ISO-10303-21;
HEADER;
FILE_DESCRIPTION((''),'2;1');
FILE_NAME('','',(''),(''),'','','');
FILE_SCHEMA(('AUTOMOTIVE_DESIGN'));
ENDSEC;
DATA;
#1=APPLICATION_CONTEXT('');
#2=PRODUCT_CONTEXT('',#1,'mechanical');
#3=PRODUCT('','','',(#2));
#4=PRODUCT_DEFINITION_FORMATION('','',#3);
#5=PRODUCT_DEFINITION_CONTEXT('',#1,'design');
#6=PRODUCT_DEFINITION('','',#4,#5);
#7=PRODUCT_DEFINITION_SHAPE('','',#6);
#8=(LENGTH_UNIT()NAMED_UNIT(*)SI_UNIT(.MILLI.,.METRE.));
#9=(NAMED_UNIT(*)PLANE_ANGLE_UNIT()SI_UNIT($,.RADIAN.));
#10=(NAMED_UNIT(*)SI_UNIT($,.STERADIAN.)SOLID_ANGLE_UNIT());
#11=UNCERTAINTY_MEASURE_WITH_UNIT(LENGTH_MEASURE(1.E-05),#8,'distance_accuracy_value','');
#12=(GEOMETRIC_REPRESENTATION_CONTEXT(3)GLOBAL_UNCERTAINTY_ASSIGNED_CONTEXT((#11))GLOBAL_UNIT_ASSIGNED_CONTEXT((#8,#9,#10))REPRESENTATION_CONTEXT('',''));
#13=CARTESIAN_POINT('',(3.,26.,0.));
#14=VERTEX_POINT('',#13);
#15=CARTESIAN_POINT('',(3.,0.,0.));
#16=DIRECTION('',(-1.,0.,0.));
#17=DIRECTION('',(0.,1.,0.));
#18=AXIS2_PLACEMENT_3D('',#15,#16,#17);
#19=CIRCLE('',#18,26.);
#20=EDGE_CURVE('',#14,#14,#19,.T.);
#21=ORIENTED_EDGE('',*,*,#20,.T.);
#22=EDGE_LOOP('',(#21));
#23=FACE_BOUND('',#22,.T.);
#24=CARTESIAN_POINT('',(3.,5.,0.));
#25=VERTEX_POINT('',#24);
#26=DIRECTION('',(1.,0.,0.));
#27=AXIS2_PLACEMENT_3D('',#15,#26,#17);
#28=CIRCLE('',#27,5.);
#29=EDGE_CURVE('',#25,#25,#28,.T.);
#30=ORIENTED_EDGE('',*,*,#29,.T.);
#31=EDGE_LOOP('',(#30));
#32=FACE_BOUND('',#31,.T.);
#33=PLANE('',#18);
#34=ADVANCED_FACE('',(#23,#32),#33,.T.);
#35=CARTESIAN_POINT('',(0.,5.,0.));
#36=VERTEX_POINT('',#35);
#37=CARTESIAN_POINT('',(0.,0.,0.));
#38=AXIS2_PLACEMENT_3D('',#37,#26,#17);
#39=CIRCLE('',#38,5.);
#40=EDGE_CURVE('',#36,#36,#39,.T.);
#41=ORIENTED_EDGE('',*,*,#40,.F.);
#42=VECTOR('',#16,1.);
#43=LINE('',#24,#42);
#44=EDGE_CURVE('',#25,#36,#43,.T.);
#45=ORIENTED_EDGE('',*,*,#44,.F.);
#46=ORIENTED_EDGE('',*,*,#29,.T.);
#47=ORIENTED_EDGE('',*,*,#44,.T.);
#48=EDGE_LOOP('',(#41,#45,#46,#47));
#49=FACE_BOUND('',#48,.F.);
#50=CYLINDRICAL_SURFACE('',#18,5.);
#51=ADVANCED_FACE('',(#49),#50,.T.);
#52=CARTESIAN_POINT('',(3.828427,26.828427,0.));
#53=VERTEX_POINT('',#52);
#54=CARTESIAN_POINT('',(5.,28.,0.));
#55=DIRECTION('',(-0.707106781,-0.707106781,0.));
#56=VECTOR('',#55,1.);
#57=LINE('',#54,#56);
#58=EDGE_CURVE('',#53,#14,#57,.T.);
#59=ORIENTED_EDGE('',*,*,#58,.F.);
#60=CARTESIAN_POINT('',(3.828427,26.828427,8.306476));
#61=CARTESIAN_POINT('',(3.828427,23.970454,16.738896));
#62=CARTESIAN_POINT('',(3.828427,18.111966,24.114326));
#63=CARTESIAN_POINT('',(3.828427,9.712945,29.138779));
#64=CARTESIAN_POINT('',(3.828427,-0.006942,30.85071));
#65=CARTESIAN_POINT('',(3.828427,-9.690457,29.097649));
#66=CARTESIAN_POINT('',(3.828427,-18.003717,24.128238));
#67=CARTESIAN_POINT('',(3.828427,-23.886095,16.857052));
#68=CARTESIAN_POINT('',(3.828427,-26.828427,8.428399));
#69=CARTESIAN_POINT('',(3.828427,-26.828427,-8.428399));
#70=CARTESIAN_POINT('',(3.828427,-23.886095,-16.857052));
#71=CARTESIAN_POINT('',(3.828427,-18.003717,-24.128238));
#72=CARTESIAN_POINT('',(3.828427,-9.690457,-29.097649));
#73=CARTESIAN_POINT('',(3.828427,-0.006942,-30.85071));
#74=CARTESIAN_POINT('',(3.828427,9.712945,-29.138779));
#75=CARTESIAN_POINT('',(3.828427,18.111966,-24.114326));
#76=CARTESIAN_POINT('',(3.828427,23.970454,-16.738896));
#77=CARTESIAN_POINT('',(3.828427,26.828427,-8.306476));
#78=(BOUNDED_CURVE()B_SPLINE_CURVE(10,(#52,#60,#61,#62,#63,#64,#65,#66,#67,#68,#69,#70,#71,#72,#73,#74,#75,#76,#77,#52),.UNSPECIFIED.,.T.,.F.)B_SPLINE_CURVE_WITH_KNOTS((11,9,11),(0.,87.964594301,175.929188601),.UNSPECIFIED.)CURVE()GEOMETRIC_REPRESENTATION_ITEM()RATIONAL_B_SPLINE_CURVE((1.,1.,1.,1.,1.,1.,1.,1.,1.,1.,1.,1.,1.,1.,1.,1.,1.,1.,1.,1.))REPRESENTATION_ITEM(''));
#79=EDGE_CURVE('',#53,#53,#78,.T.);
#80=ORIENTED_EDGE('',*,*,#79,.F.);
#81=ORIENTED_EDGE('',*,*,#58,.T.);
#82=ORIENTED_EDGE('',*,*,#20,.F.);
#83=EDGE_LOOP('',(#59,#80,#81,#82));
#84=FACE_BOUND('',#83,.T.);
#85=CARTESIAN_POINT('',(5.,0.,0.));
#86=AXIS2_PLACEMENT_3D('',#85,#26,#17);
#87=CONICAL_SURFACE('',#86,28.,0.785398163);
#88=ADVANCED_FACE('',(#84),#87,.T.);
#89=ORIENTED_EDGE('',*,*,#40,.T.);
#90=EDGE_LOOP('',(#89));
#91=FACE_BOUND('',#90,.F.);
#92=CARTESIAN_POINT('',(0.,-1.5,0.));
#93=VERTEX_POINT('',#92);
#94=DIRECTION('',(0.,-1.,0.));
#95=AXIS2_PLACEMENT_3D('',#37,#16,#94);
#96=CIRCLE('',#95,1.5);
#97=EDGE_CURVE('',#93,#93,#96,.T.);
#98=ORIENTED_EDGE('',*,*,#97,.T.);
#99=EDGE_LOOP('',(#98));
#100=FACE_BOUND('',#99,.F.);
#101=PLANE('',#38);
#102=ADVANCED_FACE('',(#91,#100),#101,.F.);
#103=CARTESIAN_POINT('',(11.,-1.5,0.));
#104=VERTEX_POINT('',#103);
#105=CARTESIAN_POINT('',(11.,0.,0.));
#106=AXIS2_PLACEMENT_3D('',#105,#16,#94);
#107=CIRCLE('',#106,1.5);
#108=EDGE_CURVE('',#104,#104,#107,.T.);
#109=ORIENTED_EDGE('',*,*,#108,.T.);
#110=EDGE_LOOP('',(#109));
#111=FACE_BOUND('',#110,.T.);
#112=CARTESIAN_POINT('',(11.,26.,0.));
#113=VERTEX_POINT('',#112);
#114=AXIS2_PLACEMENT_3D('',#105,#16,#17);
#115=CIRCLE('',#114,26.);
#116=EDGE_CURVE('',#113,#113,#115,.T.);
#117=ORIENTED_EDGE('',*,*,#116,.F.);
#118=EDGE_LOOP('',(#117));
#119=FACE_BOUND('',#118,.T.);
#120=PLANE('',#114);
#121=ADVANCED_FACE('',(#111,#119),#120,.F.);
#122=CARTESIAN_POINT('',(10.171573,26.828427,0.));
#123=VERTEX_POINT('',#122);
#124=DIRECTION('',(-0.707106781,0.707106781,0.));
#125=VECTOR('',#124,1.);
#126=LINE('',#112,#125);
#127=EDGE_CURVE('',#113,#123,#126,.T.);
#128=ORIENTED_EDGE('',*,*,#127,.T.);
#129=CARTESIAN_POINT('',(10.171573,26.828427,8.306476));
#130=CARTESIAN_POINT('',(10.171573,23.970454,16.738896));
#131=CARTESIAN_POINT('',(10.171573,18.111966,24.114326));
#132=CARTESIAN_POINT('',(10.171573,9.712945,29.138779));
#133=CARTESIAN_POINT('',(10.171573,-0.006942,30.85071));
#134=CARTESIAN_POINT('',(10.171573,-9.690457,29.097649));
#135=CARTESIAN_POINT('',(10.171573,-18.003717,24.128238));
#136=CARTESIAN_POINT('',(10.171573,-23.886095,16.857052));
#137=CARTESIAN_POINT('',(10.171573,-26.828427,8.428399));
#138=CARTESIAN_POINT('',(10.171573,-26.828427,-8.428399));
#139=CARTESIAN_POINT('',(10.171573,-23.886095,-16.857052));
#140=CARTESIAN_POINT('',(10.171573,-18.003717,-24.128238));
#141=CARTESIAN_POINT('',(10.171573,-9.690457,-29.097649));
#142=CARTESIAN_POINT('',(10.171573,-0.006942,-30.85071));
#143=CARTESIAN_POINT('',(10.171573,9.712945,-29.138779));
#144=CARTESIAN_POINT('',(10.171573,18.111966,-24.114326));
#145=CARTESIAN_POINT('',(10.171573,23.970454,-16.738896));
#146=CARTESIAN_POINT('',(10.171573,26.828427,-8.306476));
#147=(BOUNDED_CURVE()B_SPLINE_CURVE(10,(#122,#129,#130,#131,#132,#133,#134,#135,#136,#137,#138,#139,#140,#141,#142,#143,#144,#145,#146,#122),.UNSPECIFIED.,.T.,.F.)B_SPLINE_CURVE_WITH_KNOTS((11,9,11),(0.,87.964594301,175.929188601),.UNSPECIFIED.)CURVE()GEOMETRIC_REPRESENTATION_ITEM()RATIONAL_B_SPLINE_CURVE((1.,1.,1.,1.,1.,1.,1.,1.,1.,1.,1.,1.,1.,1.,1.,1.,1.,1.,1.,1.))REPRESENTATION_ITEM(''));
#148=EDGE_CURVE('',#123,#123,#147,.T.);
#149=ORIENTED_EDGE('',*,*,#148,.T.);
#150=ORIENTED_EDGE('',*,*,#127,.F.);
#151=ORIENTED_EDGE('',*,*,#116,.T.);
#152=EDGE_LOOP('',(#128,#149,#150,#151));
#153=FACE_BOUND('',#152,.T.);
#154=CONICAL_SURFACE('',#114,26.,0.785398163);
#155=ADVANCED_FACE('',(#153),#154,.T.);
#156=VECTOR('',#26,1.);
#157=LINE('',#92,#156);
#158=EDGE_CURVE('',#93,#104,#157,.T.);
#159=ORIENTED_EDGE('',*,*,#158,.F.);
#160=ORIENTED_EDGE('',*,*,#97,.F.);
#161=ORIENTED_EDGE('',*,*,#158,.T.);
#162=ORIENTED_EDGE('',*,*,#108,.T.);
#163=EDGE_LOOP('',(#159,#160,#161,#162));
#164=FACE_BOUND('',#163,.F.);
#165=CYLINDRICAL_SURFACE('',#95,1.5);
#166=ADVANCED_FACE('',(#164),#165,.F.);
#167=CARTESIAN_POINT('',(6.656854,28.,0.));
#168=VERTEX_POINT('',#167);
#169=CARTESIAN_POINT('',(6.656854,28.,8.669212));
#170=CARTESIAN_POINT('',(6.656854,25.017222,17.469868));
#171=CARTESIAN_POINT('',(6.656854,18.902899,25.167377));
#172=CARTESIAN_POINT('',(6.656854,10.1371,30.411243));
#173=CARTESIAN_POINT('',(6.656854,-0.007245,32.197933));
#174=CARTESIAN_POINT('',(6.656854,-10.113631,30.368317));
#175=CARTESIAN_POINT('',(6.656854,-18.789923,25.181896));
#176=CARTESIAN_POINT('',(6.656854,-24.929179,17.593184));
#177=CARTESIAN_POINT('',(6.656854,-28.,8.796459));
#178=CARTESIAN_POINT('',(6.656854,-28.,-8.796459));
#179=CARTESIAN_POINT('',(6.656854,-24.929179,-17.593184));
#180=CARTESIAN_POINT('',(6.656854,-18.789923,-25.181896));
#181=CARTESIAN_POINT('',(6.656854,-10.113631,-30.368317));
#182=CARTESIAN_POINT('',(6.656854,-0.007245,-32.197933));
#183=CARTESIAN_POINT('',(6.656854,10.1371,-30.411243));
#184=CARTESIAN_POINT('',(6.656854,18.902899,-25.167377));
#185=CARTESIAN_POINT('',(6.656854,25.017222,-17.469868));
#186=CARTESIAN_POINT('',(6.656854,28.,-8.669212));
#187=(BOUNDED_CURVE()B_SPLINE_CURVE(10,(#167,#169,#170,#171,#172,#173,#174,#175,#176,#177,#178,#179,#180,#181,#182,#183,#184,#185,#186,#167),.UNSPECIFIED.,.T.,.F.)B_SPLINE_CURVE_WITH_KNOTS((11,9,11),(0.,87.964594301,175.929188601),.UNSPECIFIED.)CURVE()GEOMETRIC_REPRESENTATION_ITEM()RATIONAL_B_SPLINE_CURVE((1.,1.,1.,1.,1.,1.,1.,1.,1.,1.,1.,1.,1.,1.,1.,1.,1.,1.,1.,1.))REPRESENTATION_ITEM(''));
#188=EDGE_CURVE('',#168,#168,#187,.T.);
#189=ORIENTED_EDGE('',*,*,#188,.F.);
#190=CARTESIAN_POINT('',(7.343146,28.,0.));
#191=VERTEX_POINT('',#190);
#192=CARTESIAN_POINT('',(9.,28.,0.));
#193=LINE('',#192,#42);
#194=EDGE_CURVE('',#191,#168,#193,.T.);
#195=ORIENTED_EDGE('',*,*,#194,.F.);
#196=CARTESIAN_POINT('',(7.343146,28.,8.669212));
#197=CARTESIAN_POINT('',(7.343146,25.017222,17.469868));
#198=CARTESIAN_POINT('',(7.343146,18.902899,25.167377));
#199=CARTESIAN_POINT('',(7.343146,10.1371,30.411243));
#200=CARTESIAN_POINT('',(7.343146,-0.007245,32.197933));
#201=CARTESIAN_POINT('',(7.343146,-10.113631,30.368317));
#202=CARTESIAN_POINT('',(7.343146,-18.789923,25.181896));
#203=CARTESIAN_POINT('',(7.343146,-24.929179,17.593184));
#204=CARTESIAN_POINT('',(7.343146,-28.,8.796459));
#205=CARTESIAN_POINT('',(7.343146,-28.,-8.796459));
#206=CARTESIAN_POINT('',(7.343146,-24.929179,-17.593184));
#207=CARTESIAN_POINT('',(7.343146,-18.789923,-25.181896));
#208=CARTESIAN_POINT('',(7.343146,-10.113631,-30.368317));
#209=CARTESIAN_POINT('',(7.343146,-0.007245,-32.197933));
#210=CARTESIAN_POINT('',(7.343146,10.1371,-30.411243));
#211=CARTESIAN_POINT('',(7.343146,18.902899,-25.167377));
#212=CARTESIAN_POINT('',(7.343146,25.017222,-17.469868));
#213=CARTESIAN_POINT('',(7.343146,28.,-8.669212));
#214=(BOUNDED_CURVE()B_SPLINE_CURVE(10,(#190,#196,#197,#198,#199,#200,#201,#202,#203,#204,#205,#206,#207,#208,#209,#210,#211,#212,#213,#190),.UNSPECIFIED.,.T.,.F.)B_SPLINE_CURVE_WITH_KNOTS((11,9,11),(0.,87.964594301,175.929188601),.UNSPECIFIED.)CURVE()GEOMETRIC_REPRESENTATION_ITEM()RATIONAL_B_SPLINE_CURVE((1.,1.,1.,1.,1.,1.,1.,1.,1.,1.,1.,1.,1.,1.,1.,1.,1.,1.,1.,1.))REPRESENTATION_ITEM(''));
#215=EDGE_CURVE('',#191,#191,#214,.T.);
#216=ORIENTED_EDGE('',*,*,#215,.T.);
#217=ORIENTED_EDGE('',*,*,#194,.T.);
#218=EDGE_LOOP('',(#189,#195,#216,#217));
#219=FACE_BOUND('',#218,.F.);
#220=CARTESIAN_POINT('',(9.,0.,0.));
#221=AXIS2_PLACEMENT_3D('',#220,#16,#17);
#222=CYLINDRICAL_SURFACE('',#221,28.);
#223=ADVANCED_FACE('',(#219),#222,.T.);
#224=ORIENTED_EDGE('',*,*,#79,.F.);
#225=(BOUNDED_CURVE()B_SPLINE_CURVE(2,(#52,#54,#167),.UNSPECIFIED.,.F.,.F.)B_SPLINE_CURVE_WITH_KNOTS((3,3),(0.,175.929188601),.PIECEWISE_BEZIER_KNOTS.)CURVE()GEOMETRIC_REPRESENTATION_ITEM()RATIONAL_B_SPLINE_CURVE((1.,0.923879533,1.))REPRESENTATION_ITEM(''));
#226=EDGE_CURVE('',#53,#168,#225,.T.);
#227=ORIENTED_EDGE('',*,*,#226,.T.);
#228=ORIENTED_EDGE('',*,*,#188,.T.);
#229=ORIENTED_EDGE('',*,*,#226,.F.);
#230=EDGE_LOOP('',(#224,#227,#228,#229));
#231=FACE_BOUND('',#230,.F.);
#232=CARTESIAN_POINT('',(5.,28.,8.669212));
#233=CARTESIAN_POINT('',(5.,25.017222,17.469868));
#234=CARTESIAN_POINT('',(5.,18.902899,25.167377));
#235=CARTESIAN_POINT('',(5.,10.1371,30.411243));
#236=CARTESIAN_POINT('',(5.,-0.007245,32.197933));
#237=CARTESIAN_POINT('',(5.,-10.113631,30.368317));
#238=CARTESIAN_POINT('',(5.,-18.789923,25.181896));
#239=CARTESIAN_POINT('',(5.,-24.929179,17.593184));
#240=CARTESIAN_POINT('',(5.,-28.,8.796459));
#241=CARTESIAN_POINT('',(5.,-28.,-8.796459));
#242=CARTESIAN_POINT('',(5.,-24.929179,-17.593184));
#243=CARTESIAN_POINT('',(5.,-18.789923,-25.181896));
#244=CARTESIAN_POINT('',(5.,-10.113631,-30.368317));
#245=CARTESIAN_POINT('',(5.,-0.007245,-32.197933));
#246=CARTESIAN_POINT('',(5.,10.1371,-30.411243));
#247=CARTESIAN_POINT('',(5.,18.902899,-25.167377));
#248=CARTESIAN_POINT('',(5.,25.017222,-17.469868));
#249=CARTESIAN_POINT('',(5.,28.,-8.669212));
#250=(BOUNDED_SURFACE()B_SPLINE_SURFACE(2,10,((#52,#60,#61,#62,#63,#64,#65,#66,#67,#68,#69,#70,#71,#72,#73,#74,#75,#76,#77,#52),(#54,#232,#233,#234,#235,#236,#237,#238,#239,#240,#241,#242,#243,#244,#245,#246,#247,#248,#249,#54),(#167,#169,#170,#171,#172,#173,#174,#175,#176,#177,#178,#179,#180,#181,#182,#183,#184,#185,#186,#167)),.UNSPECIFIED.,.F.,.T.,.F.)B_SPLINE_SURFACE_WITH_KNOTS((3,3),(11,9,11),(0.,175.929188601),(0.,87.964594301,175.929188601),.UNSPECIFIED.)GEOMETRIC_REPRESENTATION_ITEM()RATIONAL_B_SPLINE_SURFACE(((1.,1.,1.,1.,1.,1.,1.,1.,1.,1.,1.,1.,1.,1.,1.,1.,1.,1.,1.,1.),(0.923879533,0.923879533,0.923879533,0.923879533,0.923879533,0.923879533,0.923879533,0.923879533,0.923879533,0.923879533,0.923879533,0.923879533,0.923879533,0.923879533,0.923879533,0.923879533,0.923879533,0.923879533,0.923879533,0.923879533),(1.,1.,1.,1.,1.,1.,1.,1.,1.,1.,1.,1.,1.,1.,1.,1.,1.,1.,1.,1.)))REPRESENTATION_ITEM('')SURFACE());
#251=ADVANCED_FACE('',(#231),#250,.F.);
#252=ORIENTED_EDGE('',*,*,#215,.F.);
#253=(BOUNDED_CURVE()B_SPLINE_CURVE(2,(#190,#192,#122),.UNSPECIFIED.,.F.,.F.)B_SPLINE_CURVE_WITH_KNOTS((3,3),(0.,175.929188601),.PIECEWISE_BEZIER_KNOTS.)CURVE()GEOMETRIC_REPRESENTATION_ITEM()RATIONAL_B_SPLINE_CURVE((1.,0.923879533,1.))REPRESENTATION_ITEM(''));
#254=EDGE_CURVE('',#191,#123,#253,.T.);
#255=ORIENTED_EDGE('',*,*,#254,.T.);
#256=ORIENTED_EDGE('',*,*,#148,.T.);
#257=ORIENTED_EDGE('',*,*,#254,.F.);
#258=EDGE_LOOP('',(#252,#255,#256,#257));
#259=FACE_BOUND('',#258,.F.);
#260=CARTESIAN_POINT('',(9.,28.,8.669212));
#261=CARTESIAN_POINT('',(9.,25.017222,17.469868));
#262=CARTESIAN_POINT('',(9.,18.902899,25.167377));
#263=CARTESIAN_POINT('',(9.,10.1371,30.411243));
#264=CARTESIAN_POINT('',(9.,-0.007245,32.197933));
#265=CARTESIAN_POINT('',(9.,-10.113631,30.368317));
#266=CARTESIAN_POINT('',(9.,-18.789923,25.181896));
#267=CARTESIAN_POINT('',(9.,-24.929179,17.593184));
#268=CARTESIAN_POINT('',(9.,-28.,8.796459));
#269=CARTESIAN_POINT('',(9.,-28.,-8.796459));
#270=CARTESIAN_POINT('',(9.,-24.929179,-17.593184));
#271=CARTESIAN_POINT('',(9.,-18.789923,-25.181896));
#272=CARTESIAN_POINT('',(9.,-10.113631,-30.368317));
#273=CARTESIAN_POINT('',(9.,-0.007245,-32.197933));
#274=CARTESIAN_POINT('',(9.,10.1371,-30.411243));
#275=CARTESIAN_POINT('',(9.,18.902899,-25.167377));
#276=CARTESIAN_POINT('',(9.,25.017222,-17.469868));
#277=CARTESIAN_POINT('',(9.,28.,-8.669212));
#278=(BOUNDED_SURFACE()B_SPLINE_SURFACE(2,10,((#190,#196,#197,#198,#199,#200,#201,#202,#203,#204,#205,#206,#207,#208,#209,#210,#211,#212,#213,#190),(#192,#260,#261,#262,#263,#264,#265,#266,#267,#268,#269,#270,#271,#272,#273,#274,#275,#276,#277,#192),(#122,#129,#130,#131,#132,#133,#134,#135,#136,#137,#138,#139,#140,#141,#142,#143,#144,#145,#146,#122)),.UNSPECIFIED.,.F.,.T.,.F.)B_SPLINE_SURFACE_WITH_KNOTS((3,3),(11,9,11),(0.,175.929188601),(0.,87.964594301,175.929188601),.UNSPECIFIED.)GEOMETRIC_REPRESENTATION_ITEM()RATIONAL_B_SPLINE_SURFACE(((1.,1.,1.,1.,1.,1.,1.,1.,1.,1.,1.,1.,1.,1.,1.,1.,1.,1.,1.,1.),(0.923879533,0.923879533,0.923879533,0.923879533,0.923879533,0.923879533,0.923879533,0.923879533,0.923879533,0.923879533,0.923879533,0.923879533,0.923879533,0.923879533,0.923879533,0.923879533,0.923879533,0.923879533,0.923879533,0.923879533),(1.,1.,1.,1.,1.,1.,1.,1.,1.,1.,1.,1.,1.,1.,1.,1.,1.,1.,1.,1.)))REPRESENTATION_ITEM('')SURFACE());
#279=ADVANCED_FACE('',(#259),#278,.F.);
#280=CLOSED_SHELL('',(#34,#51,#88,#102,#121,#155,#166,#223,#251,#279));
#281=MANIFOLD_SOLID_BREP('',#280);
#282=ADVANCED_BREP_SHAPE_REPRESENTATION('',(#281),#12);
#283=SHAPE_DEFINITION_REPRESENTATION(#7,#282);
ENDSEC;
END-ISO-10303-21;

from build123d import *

# Parameters (mm, degrees)
F2_R     = 1.5
F3_DEPTH = 25
F7_R     = 4


with BuildPart() as f1:
    # F0 (on Top) → F1 (revolve)
    with BuildSketch(Plane.XY):
        Polygon((0, 5), (0, 0), (11, 0), (11, 25), (9, 25), (9, 28), (5, 28), (5, 25), (3, 25), (3, 5), align=None)
    revolve(axis=Axis((5.5, 0, 0), (1, 0, 0)))

    # F2 (on face) → F3 (cut)
    with BuildSketch(Plane(origin=(0, 0, 0), x_dir=(0, -1, 0), z_dir=(-1, 0, 0))):
        Circle(F2_R)
    extrude(amount=-F3_DEPTH, mode=Mode.SUBTRACT)

    # F5 (on Top) → F6 (revolve)
    with BuildSketch(Plane.XY):
        Polygon((3, 25), (11, 25), (11, 26), (9, 28), (5, 28), (3, 26), align=None)
    revolve(axis=Axis((0, 0, 0), (-1, 0, 0)))

    # F7
    f7_edges = [f1.edges().sort_by_distance(p)[0] for p in [
        (9, -28, 0),
        (5, -28, 0),
    ]]
    fillet(f7_edges, radius=F7_R)


solid = f1.part
